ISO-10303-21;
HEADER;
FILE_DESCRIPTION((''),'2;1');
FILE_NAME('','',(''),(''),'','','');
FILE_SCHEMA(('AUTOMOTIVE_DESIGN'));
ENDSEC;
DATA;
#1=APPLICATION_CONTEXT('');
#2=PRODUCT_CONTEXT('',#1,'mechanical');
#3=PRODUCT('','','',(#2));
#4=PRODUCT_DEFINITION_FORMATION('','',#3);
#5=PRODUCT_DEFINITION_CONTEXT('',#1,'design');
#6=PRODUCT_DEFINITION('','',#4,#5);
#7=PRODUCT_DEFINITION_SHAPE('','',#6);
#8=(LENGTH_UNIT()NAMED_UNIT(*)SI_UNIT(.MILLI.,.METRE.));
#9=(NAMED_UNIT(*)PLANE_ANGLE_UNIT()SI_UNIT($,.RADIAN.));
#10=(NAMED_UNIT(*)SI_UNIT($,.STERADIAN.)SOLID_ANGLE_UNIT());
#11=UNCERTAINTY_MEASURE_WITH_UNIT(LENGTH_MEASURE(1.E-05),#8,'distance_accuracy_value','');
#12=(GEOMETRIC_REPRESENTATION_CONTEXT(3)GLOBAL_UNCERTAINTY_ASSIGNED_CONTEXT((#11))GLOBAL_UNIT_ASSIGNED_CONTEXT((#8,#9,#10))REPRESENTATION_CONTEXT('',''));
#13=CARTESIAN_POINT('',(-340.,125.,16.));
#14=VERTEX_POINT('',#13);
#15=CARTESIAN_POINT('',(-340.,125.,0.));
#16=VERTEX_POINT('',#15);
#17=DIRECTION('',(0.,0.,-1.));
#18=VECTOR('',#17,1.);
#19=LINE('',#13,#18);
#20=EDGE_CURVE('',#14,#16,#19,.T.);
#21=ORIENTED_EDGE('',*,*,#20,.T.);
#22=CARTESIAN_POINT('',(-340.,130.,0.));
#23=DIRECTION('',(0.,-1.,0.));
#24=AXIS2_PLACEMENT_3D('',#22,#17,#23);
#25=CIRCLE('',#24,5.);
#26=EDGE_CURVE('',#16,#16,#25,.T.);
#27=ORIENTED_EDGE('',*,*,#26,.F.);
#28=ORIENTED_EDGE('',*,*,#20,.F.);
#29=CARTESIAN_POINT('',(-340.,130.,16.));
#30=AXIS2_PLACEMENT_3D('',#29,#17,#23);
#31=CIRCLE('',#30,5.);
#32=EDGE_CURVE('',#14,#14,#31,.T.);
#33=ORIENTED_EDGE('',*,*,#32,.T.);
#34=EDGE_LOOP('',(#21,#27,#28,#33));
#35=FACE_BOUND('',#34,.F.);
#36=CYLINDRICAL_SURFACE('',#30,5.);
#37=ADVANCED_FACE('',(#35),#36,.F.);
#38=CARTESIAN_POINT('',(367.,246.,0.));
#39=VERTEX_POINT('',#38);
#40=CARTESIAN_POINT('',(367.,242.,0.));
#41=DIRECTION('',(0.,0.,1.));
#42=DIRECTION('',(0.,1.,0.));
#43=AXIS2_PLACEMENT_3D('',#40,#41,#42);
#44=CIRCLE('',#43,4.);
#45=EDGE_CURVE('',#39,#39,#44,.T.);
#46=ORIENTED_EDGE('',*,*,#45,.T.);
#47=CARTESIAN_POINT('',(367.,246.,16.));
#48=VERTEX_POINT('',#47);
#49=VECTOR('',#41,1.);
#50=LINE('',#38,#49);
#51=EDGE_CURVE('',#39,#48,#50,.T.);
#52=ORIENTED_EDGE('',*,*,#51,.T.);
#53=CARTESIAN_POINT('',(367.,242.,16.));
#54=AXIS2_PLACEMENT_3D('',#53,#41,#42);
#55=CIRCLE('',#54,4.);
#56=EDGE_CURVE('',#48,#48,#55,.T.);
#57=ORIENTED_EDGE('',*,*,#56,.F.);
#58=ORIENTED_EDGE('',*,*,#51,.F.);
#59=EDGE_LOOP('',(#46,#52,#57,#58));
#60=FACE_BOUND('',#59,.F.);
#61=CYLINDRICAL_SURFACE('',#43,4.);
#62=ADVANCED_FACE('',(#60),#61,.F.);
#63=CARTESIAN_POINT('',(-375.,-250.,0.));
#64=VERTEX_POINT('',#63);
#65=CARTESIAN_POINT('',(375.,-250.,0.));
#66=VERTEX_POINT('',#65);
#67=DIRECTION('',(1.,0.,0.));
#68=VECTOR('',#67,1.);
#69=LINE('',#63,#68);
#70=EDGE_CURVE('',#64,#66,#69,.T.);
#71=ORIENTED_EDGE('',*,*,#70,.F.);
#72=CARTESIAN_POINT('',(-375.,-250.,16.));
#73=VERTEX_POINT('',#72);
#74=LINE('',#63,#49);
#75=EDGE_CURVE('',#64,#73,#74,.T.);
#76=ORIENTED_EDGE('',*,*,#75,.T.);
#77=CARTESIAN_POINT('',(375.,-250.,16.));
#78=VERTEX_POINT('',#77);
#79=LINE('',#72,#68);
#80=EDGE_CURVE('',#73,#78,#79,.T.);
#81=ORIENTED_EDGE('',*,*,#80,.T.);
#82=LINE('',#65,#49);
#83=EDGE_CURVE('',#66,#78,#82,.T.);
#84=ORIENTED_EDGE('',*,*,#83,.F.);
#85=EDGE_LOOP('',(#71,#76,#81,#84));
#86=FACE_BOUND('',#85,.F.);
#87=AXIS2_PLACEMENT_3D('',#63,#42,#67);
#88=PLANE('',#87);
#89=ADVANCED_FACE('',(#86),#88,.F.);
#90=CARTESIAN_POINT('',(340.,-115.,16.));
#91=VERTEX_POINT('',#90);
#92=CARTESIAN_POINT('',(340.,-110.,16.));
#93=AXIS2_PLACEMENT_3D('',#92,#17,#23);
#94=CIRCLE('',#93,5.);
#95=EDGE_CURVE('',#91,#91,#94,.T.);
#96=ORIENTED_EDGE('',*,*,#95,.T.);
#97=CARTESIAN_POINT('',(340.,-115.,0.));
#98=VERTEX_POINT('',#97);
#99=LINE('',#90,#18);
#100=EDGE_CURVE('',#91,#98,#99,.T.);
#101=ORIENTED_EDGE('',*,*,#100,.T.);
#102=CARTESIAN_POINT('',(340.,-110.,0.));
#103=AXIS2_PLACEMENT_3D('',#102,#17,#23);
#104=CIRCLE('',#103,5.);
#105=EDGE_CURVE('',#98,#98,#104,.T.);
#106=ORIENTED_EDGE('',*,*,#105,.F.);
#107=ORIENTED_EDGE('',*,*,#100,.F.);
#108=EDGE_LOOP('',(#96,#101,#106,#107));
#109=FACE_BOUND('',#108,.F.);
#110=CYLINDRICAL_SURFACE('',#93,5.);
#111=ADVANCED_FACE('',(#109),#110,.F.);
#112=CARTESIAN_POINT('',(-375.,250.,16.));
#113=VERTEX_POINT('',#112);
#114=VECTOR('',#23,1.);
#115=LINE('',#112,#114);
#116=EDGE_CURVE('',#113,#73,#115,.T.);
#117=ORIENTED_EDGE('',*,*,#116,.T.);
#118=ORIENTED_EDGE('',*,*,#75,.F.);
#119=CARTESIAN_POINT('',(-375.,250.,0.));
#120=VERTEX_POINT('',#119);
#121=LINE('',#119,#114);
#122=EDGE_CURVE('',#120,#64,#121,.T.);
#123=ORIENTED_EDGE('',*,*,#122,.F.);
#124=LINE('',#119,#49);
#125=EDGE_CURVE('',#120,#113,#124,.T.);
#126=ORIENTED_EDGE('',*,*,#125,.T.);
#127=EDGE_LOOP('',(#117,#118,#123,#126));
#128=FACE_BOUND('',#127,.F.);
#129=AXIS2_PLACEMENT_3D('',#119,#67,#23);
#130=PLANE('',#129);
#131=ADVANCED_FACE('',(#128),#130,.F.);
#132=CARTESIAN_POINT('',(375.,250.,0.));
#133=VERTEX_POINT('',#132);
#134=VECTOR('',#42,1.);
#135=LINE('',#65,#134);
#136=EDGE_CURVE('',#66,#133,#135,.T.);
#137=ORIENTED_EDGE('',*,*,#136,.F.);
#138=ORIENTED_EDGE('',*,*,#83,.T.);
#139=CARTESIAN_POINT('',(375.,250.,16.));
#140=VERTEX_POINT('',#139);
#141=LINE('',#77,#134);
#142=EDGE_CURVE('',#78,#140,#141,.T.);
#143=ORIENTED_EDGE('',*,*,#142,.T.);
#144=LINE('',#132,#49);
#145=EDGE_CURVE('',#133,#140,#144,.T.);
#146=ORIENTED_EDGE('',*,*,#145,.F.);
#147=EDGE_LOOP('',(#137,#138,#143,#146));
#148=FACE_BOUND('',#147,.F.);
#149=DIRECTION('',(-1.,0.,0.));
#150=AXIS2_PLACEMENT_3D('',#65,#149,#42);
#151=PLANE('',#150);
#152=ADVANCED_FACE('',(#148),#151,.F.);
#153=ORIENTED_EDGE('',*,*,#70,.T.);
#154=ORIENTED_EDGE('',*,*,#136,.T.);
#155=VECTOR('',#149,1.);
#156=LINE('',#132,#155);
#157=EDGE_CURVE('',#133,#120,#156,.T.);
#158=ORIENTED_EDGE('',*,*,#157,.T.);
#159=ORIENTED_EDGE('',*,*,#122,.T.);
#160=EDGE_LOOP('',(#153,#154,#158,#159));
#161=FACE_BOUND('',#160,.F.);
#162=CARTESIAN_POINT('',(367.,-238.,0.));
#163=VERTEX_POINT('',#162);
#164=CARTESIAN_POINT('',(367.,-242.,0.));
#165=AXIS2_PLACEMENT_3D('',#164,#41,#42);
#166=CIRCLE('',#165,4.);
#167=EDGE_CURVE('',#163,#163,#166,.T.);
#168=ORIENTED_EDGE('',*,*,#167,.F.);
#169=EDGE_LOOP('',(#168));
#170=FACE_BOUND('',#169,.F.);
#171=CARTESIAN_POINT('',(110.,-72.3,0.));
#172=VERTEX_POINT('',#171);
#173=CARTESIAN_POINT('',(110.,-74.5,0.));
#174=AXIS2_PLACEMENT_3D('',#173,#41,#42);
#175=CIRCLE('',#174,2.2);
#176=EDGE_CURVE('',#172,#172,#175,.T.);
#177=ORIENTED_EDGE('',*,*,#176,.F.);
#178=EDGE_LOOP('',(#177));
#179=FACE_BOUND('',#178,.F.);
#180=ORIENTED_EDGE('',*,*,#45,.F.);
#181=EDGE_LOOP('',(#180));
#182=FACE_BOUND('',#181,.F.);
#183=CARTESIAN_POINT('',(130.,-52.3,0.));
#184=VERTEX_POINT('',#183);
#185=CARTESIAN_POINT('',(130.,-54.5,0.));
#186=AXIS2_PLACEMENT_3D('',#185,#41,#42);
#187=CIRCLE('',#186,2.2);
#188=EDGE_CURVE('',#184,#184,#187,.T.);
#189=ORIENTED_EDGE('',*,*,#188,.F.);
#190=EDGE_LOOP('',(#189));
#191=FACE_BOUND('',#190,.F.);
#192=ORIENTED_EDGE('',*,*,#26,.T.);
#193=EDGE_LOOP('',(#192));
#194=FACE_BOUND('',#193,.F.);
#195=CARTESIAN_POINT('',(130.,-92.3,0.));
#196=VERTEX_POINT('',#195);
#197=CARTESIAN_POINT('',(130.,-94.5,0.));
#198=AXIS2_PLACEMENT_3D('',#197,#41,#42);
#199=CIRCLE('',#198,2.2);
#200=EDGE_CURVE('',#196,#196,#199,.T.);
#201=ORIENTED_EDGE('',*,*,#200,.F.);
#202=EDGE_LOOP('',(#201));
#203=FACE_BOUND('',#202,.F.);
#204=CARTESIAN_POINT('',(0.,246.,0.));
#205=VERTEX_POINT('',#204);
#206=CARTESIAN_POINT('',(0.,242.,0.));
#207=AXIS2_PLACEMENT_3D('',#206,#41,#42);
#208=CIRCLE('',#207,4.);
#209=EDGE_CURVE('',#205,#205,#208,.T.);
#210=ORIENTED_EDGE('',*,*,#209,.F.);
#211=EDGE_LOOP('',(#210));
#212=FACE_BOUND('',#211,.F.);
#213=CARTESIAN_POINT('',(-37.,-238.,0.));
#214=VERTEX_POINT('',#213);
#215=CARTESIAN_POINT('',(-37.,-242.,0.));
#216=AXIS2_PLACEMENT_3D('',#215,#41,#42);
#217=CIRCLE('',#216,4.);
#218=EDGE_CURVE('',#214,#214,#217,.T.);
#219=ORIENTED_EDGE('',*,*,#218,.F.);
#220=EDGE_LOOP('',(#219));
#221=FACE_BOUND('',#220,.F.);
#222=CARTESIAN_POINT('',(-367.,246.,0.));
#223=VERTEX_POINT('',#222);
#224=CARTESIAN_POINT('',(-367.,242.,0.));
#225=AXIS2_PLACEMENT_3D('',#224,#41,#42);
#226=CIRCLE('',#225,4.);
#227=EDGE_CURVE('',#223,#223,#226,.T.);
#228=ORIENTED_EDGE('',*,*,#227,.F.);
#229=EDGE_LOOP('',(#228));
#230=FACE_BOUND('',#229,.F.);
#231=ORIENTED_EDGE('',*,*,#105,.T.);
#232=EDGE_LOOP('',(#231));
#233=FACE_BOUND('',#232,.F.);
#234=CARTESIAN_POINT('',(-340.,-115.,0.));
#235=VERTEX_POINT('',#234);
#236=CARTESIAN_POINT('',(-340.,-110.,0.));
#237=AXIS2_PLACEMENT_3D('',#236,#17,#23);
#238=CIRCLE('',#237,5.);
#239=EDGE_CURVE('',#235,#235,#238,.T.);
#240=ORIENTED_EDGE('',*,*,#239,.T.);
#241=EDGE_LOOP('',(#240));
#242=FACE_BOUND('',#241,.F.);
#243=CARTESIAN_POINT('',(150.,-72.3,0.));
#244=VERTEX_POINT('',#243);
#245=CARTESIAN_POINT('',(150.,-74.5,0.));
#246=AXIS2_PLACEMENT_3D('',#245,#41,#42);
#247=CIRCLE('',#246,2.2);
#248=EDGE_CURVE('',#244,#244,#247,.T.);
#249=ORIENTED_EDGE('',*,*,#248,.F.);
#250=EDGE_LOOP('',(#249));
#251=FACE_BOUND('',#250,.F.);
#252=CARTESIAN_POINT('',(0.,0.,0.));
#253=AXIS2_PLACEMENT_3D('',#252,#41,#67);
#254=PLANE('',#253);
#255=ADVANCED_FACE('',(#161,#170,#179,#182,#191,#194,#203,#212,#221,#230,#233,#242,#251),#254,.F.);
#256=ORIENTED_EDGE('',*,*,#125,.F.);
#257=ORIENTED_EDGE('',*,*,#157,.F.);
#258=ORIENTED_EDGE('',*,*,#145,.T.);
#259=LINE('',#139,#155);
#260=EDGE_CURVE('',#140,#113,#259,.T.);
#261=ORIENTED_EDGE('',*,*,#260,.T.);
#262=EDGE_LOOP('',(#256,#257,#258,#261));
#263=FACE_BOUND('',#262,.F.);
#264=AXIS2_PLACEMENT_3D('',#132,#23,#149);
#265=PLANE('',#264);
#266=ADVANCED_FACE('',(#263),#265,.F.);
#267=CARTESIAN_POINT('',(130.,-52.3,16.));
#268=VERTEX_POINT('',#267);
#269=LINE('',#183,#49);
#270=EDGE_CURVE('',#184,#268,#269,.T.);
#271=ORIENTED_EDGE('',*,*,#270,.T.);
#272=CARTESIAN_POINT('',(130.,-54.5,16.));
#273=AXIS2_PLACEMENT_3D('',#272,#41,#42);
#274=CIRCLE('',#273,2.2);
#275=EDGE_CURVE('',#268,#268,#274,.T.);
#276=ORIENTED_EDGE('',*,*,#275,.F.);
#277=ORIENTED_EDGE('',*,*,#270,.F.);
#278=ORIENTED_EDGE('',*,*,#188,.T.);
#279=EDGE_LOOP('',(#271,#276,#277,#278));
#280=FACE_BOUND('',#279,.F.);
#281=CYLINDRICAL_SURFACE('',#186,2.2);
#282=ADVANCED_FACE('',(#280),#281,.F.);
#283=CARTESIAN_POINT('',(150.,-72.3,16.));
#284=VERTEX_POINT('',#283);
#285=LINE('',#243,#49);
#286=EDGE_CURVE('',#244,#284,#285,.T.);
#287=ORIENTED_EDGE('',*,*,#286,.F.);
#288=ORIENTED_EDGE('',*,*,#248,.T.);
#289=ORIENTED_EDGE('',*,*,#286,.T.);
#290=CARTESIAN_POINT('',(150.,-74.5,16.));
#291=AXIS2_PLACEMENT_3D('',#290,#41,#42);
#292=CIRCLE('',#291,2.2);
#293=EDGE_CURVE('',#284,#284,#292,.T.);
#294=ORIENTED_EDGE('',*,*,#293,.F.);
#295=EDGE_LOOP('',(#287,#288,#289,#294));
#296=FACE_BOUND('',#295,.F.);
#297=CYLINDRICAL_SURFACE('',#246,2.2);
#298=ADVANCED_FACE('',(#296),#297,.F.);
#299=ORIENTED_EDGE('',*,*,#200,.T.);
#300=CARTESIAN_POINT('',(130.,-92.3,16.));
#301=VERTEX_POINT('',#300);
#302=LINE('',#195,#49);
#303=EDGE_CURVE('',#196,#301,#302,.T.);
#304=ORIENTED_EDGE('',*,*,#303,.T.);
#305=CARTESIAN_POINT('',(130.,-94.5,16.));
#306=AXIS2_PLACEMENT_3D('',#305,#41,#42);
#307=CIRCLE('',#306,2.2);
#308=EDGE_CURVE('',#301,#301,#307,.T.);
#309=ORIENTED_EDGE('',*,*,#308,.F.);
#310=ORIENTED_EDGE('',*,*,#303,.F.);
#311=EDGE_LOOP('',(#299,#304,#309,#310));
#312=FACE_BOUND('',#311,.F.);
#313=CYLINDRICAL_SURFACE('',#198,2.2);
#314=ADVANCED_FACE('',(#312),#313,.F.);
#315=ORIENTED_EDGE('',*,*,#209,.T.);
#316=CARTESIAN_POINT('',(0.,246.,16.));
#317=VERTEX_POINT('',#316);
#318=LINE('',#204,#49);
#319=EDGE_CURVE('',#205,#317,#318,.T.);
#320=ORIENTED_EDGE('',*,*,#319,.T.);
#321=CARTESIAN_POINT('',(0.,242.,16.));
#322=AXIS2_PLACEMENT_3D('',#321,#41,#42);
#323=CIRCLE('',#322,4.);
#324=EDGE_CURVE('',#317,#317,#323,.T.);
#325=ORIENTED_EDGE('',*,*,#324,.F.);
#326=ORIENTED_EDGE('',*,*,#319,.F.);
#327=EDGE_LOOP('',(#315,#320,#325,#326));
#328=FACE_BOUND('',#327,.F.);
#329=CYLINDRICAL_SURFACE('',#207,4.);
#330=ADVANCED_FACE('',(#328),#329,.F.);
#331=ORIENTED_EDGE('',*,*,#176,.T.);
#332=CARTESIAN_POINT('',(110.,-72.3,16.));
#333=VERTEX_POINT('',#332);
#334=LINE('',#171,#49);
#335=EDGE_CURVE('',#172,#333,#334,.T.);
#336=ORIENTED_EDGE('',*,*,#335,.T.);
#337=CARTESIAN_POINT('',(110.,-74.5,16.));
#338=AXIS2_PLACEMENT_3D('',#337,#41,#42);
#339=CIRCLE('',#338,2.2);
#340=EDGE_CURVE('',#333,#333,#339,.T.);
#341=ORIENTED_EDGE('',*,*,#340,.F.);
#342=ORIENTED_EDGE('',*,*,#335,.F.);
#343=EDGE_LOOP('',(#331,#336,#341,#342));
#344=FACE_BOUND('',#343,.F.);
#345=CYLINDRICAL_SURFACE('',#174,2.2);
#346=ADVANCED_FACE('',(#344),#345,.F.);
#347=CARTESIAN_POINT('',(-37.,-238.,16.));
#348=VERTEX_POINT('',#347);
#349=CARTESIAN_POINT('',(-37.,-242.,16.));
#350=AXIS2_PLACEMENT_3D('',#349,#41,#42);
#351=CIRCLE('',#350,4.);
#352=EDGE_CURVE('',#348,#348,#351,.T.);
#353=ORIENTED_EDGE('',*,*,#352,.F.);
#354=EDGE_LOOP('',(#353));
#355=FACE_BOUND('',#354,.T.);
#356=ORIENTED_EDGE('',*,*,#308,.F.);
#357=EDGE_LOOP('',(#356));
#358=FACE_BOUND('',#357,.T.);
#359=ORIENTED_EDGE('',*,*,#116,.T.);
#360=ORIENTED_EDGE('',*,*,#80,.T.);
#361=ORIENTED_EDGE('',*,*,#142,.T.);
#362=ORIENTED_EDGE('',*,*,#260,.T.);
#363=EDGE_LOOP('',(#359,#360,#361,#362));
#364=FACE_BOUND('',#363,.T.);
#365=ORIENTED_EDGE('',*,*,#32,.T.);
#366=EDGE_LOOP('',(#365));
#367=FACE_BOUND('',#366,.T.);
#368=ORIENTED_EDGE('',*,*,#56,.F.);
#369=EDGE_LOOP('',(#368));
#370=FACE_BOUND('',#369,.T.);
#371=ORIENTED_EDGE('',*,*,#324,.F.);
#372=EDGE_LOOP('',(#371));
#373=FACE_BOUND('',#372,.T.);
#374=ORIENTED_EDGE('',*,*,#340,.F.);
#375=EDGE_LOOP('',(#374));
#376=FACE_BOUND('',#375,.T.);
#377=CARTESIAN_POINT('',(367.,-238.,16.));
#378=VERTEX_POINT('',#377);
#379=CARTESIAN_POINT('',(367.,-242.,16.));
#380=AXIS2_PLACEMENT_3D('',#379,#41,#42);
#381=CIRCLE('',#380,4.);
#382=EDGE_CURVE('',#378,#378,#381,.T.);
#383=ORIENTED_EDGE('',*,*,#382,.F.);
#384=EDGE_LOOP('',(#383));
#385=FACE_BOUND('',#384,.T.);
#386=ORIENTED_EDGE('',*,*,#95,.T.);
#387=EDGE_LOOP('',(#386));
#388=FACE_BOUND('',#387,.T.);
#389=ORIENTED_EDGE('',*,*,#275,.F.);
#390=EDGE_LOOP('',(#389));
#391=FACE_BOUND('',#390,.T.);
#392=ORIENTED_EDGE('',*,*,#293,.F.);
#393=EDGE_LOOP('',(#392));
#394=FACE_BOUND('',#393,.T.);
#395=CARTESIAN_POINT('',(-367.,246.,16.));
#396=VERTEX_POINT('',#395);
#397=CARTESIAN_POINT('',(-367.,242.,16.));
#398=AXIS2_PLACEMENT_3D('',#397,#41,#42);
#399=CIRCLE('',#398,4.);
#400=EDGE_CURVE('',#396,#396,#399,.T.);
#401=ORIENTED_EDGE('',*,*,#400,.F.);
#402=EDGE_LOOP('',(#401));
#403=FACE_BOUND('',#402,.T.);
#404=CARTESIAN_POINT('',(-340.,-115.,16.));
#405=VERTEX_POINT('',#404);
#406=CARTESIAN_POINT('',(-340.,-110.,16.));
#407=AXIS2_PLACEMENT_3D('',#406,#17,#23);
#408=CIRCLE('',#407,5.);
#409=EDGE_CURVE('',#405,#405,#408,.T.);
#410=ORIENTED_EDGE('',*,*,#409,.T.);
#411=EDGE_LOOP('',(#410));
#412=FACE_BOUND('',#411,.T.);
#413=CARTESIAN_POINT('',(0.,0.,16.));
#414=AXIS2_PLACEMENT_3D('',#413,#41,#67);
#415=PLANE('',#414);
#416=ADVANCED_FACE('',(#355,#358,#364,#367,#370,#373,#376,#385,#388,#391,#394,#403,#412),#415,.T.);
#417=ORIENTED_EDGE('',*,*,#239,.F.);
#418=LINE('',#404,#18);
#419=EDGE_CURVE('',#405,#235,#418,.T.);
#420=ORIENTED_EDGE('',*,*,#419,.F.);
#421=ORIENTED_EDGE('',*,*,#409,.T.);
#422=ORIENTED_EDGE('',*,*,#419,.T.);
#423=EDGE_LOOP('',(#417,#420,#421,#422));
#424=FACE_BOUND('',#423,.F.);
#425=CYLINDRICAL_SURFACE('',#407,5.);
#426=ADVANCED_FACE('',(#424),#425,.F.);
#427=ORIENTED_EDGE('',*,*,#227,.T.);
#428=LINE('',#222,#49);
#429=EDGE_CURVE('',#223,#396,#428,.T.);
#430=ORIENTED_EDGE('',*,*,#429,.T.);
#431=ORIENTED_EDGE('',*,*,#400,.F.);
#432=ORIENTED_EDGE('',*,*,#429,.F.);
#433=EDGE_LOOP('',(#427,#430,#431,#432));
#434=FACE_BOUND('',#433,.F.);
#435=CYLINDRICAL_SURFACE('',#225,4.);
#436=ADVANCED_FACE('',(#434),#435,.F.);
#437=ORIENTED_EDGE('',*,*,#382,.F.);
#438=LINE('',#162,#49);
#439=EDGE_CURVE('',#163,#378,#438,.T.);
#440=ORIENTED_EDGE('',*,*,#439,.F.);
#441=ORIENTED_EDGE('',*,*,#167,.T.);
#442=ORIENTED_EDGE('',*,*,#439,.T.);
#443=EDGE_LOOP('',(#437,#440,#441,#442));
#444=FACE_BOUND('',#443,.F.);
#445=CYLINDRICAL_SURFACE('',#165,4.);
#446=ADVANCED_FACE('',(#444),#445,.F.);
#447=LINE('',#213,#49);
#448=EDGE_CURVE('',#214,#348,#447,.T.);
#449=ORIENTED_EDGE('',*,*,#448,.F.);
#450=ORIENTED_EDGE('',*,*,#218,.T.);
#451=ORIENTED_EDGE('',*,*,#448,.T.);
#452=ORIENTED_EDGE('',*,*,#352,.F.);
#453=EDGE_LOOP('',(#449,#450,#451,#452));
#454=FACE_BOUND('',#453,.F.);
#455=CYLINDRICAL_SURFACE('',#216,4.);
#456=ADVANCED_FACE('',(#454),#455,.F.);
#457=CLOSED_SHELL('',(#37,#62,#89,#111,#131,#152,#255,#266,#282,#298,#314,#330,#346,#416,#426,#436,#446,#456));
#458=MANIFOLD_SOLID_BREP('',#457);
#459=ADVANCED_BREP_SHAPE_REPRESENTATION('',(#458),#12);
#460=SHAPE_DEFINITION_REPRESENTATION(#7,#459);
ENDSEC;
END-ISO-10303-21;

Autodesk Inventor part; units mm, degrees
ref_plane "YZ Plane" through (0, 0, 0) normal (1, 0, 0) x (0, 1, 0)
ref_plane "XZ Plane" through (0, 0, 0) normal (0, 1, 0) x (-1, 0, 0)
ref_plane "XY Plane" through (0, 0, 0) normal (0, 0, 1) x (1, 0, 0)
sketch "Skizze1" plane through (0, 0, 0) normal (0, 0, 1) x (1, 0, 0)
  line L0 (-375, -250) -> (375, -250)
  line L1 (375, -250) -> (375, 250)
  line L2 (375, 250) -> (-375, 250)
  line L3 (-375, 250) -> (-375, -250)
  line L4 (-375, -250) -> (375, 250) construction
  line L5 (375, -250) -> (-375, 250) construction
  point P0 (0, 0)
  dimension "d0" = 750
  dimension "d1" = 500
extrude "Extrusion1" add sketch "Skizze1" along normal blind 16
sketch "Skizze5" plane through (0, 0, 16) normal (0, 0, 1) x (1, 0, 0)
  line L0 (375, -250) -> (375, 250) projected
  line L1 (375, 250) -> (-375, 250) projected
  line L2 (-375, 250) -> (-375, -250) projected
  line L3 (-375, -250) -> (375, -250) projected
  point P0 (0, 0)
  point P1 (340, -110)
  point P2 (-340, -110)
  point P3 (-340, 130)
  dimension "d39" = 140
  dimension "d40" = 140
  dimension "d41" = 35
  dimension "d42" = 35
  dimension "d44" = 120
  dimension "d57" = 35
hole "Bohrung4" at (340, -110, 16) at (-340, -110, 16) at (-340, 130, 16) direction (0, 0, -1) diameter 10 end through all
sketch "Skizze9" plane through (0, 0, 0) normal (0, 0, -1) x (-1, 0, 0)
  line L0 (-375, -250) -> (-375, 250) projected
  line L1 (375, -250) -> (-375, -250) projected
  point P0 (0, 0)
  point P1 (-150, -74.5)
  point P2 (-130, -54.5)
  point P3 (-130, -94.5)
  point P4 (-110, -74.5)
  dimension "d101" = 40
  dimension "d102" = 40
  dimension "d103" = 20
  dimension "d104" = 20
  dimension "d105" = 175.5
  dimension "d106" = 245
hole "Bohrung8" at (150, -74.5, 0) at (130, -54.5, 0) at (130, -94.5, 0) at (110, -74.5, 0) direction (0, 0, 1) diameter 4.4 end through all
sketch "Skizze10" plane through (0, 0, 0) normal (0, 0, -1) x (-1, 0, 0)
  line L0 (-375, -250) -> (-375, 250) projected
  line L1 (375, -250) -> (-375, -250) projected
  line L2 (375, 250) -> (375, -250) projected
  line L3 (-375, 250) -> (375, 250) projected
  point P0 (0, 0)
  point P1 (-367, 242)
  point P2 (0, 242)
  point P3 (367, 242)
  point P4 (-367, -242)
  point P5 (37, -242)
  dimension "d114" = 8
  dimension "d115" = 8
  dimension "d116" = 8
  dimension "d118" = 8
  dimension "d128" = 338
hole "Bohrung9" at (367, 242, 0) at (0, 242, 0) at (-367, 242, 0) at (367, -242, 0) at (-37, -242, 0) direction (0, 0, 1) diameter 8 depth 20 tip angle 118
equation "\"d116\" = d114"
equation "\"d118\" = d115"
properties part number "Seite_links" material "Holz (Birke)"
